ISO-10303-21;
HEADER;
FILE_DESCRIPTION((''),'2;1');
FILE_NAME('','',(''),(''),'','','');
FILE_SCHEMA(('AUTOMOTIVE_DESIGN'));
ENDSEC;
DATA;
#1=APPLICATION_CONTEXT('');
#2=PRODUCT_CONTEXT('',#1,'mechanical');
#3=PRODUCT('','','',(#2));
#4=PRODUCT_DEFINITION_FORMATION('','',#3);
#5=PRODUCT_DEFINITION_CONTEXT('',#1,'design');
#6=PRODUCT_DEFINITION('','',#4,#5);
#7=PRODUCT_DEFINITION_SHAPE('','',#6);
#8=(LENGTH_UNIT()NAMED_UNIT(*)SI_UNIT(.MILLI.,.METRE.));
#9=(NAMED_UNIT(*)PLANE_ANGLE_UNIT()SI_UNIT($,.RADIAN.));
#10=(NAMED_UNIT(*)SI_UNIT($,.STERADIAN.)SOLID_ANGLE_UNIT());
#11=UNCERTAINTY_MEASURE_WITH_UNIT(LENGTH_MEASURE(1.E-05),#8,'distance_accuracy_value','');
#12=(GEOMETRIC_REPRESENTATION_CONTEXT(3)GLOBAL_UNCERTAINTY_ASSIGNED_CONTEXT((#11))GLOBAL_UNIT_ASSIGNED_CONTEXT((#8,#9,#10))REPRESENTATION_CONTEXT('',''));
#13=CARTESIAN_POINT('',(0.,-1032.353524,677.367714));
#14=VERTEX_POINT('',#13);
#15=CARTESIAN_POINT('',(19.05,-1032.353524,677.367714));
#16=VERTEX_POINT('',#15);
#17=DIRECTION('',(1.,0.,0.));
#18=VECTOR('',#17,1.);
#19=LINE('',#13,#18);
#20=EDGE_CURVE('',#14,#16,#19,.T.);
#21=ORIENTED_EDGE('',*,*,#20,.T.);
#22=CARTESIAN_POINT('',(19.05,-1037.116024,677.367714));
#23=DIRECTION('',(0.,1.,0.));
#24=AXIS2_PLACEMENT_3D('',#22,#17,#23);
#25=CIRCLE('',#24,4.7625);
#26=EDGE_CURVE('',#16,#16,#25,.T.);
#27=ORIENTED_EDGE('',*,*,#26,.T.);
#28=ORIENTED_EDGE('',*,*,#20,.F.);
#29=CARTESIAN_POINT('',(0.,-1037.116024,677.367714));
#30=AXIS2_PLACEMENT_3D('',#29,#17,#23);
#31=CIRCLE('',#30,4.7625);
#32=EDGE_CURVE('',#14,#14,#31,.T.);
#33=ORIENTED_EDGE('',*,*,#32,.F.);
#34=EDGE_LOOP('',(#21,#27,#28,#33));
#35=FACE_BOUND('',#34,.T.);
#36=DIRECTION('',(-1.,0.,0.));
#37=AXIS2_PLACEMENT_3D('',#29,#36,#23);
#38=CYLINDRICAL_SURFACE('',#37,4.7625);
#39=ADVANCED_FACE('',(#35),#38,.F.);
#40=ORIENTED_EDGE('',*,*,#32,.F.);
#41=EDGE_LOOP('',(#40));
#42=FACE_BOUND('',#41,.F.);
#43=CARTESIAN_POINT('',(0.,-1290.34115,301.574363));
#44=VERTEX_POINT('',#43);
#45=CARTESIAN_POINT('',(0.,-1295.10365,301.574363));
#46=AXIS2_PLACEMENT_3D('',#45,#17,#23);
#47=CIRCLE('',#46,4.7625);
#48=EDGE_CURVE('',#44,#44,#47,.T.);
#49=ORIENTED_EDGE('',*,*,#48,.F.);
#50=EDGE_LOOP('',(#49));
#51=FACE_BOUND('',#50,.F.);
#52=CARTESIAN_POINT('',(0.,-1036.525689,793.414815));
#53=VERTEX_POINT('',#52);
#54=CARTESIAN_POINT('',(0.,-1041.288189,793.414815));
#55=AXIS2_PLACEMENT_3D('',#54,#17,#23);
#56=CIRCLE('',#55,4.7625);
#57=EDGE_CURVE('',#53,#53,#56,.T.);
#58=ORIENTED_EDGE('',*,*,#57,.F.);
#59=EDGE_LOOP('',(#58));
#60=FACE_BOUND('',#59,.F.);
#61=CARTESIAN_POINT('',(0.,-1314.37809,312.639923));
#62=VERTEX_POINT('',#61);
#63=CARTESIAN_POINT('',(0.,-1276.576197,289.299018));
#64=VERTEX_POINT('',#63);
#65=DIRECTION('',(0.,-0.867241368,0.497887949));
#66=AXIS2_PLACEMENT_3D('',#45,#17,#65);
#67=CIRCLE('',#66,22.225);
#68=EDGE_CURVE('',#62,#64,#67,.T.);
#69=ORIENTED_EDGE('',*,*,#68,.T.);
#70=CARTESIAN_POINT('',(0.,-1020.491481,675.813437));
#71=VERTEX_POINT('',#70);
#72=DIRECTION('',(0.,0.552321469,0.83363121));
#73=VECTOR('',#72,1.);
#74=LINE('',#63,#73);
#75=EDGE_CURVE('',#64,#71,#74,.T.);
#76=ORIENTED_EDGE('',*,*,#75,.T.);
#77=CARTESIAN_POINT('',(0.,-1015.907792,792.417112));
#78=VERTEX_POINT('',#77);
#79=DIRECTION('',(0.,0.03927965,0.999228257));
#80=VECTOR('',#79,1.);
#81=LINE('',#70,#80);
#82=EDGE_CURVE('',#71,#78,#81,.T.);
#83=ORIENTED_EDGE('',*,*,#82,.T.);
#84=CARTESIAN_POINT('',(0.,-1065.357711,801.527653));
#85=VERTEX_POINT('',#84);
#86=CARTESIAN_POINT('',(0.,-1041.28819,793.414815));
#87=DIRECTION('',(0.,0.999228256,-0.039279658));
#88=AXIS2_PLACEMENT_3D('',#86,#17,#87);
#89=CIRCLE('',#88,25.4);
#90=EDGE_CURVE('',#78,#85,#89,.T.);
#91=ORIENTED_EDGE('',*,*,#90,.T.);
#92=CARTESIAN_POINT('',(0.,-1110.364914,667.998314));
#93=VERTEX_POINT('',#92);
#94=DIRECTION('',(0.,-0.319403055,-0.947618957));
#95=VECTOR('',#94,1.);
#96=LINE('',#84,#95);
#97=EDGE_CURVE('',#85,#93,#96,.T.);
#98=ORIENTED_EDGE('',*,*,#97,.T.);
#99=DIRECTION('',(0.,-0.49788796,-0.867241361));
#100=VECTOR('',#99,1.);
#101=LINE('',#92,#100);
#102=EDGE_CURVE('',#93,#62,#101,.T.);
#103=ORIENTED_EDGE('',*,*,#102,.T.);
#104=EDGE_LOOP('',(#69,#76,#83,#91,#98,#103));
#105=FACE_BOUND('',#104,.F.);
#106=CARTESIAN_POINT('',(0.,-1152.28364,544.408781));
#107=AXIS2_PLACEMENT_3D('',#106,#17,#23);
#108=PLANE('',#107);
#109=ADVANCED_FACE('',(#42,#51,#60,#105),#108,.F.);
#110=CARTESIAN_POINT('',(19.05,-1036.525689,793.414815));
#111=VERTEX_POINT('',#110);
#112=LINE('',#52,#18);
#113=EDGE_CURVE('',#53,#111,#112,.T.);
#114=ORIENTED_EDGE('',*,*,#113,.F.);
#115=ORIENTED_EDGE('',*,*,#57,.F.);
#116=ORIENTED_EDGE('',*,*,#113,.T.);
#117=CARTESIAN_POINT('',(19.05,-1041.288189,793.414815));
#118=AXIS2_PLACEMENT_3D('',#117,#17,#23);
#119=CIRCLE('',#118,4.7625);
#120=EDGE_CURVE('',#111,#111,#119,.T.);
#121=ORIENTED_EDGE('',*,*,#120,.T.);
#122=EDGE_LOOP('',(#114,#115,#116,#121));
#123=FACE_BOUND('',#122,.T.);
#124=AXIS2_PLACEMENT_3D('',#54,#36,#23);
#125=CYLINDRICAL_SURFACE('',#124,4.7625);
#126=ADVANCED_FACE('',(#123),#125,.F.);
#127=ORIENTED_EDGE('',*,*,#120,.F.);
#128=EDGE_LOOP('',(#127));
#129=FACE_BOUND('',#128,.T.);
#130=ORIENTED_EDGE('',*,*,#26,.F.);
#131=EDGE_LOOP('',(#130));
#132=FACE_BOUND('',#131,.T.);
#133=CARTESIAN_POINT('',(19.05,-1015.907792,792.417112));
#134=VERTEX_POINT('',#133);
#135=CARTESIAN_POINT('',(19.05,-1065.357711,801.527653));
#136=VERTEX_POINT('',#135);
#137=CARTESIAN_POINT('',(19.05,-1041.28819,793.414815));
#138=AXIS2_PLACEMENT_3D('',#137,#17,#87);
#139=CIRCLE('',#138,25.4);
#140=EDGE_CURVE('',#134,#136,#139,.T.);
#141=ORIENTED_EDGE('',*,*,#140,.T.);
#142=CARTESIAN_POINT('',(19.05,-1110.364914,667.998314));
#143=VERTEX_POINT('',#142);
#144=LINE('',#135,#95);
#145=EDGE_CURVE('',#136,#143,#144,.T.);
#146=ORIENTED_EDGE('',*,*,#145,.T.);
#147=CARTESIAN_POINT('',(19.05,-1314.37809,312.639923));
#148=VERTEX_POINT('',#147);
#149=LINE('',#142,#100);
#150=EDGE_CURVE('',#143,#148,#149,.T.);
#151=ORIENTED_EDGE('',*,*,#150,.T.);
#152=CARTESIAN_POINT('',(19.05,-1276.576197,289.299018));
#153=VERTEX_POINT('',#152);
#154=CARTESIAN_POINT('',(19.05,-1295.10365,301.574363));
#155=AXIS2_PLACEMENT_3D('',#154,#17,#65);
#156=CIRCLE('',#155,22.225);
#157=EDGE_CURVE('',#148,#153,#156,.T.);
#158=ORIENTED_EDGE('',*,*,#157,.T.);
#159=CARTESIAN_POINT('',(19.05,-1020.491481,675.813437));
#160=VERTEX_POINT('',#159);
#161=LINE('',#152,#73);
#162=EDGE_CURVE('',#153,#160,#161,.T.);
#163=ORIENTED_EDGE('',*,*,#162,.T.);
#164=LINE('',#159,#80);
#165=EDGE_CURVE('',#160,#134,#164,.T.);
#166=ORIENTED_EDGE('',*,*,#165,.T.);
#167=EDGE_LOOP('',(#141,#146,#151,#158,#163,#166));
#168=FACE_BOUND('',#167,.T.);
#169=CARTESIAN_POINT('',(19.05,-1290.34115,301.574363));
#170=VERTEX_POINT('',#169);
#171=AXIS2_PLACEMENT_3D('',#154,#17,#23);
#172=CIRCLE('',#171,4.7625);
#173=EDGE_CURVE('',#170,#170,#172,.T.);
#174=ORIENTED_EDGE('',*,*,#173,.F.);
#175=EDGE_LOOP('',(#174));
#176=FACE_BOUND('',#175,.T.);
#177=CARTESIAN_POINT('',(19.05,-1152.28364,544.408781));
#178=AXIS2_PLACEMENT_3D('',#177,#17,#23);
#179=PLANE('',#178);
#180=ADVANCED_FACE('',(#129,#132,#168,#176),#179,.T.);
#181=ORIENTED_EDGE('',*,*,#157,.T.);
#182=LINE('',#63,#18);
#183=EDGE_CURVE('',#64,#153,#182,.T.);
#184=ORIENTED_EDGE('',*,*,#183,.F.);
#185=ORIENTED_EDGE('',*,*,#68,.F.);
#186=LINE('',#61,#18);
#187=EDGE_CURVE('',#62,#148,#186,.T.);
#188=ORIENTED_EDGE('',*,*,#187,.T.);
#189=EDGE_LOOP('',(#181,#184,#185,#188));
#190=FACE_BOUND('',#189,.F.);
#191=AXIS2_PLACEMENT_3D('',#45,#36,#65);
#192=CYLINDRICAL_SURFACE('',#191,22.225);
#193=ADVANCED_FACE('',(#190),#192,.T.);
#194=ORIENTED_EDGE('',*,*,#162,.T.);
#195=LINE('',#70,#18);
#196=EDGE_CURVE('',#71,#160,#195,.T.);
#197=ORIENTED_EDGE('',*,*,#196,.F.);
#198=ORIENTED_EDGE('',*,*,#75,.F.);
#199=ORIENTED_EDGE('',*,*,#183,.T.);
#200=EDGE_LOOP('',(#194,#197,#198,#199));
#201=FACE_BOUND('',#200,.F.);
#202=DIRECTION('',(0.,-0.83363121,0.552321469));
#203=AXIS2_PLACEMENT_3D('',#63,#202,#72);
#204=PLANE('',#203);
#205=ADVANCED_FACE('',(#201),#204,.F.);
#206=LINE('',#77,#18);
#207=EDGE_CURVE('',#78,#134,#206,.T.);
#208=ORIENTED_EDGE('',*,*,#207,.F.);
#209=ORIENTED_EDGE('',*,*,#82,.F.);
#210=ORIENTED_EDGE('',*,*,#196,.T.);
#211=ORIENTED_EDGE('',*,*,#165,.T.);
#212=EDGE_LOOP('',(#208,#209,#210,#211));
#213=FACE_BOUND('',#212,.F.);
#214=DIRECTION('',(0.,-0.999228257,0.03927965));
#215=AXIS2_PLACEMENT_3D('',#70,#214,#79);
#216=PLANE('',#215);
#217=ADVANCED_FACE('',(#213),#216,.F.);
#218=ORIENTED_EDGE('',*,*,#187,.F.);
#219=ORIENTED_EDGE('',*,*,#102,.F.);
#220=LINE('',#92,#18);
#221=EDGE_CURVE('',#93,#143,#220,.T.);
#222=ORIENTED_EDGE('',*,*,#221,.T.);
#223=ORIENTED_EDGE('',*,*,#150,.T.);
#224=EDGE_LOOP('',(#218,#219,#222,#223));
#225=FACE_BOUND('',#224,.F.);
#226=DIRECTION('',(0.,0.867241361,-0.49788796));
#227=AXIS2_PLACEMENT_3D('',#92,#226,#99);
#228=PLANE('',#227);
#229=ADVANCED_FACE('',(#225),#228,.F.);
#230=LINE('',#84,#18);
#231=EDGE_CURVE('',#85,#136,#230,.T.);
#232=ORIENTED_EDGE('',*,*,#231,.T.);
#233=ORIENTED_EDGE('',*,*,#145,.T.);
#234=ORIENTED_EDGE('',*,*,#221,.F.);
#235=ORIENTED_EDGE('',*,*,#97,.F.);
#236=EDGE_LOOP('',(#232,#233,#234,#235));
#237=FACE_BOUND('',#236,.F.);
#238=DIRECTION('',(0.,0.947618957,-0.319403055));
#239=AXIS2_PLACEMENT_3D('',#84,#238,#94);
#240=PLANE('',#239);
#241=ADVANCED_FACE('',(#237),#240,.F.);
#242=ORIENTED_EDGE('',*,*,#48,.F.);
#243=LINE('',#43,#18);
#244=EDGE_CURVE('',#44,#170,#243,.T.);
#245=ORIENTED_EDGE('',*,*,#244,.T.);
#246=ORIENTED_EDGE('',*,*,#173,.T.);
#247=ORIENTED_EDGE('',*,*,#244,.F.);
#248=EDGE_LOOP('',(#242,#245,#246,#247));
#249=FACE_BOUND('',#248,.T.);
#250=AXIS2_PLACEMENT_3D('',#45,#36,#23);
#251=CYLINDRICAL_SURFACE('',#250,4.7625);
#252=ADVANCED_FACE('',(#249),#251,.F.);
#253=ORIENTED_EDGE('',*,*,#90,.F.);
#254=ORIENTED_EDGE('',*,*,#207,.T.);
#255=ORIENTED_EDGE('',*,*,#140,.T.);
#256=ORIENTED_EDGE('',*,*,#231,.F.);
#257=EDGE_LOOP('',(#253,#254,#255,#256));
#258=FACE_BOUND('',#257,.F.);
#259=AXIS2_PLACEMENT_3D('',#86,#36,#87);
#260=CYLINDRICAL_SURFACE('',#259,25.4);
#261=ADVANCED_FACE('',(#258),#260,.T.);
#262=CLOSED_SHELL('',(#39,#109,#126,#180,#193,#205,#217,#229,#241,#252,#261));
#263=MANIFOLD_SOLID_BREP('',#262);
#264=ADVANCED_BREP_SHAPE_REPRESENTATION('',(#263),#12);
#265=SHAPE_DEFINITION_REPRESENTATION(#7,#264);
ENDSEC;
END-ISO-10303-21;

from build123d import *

# Parameters (mm, degrees)
F2_R     = 4.7625
F3_DEPTH = 19.05


with BuildPart() as f3:
    # F2 (on Right) → F3 (new body)
    with BuildSketch(Plane.YZ):
        with BuildLine():
            ThreePointArc((-1015.907792, 792.417112), (-1036.686006, 818.394405), (-1065.357711, 801.527653))
            Line((-1065.357711, 801.527653), (-1110.364914, 667.998314))
            Line((-1110.364914, 667.998314), (-1314.37809, 312.639923))
            ThreePointArc((-1314.37809, 312.639923), (-1306.780078, 282.66374), (-1276.576197, 289.299018))
            Line((-1276.576197, 289.299018), (-1020.491481, 675.813437))
            Line((-1020.491481, 675.813437), (-1015.907792, 792.417112))
        make_face()
        with Locations((-1295.10365, 301.574363)):
            Circle(F2_R, mode=Mode.SUBTRACT)
        with Locations((-1037.116024, 677.367714)):
            Circle(F2_R, mode=Mode.SUBTRACT)
        with Locations((-1041.288189, 793.414815)):
            Circle(F2_R, mode=Mode.SUBTRACT)
    extrude(amount=F3_DEPTH)


solid = f3.part
